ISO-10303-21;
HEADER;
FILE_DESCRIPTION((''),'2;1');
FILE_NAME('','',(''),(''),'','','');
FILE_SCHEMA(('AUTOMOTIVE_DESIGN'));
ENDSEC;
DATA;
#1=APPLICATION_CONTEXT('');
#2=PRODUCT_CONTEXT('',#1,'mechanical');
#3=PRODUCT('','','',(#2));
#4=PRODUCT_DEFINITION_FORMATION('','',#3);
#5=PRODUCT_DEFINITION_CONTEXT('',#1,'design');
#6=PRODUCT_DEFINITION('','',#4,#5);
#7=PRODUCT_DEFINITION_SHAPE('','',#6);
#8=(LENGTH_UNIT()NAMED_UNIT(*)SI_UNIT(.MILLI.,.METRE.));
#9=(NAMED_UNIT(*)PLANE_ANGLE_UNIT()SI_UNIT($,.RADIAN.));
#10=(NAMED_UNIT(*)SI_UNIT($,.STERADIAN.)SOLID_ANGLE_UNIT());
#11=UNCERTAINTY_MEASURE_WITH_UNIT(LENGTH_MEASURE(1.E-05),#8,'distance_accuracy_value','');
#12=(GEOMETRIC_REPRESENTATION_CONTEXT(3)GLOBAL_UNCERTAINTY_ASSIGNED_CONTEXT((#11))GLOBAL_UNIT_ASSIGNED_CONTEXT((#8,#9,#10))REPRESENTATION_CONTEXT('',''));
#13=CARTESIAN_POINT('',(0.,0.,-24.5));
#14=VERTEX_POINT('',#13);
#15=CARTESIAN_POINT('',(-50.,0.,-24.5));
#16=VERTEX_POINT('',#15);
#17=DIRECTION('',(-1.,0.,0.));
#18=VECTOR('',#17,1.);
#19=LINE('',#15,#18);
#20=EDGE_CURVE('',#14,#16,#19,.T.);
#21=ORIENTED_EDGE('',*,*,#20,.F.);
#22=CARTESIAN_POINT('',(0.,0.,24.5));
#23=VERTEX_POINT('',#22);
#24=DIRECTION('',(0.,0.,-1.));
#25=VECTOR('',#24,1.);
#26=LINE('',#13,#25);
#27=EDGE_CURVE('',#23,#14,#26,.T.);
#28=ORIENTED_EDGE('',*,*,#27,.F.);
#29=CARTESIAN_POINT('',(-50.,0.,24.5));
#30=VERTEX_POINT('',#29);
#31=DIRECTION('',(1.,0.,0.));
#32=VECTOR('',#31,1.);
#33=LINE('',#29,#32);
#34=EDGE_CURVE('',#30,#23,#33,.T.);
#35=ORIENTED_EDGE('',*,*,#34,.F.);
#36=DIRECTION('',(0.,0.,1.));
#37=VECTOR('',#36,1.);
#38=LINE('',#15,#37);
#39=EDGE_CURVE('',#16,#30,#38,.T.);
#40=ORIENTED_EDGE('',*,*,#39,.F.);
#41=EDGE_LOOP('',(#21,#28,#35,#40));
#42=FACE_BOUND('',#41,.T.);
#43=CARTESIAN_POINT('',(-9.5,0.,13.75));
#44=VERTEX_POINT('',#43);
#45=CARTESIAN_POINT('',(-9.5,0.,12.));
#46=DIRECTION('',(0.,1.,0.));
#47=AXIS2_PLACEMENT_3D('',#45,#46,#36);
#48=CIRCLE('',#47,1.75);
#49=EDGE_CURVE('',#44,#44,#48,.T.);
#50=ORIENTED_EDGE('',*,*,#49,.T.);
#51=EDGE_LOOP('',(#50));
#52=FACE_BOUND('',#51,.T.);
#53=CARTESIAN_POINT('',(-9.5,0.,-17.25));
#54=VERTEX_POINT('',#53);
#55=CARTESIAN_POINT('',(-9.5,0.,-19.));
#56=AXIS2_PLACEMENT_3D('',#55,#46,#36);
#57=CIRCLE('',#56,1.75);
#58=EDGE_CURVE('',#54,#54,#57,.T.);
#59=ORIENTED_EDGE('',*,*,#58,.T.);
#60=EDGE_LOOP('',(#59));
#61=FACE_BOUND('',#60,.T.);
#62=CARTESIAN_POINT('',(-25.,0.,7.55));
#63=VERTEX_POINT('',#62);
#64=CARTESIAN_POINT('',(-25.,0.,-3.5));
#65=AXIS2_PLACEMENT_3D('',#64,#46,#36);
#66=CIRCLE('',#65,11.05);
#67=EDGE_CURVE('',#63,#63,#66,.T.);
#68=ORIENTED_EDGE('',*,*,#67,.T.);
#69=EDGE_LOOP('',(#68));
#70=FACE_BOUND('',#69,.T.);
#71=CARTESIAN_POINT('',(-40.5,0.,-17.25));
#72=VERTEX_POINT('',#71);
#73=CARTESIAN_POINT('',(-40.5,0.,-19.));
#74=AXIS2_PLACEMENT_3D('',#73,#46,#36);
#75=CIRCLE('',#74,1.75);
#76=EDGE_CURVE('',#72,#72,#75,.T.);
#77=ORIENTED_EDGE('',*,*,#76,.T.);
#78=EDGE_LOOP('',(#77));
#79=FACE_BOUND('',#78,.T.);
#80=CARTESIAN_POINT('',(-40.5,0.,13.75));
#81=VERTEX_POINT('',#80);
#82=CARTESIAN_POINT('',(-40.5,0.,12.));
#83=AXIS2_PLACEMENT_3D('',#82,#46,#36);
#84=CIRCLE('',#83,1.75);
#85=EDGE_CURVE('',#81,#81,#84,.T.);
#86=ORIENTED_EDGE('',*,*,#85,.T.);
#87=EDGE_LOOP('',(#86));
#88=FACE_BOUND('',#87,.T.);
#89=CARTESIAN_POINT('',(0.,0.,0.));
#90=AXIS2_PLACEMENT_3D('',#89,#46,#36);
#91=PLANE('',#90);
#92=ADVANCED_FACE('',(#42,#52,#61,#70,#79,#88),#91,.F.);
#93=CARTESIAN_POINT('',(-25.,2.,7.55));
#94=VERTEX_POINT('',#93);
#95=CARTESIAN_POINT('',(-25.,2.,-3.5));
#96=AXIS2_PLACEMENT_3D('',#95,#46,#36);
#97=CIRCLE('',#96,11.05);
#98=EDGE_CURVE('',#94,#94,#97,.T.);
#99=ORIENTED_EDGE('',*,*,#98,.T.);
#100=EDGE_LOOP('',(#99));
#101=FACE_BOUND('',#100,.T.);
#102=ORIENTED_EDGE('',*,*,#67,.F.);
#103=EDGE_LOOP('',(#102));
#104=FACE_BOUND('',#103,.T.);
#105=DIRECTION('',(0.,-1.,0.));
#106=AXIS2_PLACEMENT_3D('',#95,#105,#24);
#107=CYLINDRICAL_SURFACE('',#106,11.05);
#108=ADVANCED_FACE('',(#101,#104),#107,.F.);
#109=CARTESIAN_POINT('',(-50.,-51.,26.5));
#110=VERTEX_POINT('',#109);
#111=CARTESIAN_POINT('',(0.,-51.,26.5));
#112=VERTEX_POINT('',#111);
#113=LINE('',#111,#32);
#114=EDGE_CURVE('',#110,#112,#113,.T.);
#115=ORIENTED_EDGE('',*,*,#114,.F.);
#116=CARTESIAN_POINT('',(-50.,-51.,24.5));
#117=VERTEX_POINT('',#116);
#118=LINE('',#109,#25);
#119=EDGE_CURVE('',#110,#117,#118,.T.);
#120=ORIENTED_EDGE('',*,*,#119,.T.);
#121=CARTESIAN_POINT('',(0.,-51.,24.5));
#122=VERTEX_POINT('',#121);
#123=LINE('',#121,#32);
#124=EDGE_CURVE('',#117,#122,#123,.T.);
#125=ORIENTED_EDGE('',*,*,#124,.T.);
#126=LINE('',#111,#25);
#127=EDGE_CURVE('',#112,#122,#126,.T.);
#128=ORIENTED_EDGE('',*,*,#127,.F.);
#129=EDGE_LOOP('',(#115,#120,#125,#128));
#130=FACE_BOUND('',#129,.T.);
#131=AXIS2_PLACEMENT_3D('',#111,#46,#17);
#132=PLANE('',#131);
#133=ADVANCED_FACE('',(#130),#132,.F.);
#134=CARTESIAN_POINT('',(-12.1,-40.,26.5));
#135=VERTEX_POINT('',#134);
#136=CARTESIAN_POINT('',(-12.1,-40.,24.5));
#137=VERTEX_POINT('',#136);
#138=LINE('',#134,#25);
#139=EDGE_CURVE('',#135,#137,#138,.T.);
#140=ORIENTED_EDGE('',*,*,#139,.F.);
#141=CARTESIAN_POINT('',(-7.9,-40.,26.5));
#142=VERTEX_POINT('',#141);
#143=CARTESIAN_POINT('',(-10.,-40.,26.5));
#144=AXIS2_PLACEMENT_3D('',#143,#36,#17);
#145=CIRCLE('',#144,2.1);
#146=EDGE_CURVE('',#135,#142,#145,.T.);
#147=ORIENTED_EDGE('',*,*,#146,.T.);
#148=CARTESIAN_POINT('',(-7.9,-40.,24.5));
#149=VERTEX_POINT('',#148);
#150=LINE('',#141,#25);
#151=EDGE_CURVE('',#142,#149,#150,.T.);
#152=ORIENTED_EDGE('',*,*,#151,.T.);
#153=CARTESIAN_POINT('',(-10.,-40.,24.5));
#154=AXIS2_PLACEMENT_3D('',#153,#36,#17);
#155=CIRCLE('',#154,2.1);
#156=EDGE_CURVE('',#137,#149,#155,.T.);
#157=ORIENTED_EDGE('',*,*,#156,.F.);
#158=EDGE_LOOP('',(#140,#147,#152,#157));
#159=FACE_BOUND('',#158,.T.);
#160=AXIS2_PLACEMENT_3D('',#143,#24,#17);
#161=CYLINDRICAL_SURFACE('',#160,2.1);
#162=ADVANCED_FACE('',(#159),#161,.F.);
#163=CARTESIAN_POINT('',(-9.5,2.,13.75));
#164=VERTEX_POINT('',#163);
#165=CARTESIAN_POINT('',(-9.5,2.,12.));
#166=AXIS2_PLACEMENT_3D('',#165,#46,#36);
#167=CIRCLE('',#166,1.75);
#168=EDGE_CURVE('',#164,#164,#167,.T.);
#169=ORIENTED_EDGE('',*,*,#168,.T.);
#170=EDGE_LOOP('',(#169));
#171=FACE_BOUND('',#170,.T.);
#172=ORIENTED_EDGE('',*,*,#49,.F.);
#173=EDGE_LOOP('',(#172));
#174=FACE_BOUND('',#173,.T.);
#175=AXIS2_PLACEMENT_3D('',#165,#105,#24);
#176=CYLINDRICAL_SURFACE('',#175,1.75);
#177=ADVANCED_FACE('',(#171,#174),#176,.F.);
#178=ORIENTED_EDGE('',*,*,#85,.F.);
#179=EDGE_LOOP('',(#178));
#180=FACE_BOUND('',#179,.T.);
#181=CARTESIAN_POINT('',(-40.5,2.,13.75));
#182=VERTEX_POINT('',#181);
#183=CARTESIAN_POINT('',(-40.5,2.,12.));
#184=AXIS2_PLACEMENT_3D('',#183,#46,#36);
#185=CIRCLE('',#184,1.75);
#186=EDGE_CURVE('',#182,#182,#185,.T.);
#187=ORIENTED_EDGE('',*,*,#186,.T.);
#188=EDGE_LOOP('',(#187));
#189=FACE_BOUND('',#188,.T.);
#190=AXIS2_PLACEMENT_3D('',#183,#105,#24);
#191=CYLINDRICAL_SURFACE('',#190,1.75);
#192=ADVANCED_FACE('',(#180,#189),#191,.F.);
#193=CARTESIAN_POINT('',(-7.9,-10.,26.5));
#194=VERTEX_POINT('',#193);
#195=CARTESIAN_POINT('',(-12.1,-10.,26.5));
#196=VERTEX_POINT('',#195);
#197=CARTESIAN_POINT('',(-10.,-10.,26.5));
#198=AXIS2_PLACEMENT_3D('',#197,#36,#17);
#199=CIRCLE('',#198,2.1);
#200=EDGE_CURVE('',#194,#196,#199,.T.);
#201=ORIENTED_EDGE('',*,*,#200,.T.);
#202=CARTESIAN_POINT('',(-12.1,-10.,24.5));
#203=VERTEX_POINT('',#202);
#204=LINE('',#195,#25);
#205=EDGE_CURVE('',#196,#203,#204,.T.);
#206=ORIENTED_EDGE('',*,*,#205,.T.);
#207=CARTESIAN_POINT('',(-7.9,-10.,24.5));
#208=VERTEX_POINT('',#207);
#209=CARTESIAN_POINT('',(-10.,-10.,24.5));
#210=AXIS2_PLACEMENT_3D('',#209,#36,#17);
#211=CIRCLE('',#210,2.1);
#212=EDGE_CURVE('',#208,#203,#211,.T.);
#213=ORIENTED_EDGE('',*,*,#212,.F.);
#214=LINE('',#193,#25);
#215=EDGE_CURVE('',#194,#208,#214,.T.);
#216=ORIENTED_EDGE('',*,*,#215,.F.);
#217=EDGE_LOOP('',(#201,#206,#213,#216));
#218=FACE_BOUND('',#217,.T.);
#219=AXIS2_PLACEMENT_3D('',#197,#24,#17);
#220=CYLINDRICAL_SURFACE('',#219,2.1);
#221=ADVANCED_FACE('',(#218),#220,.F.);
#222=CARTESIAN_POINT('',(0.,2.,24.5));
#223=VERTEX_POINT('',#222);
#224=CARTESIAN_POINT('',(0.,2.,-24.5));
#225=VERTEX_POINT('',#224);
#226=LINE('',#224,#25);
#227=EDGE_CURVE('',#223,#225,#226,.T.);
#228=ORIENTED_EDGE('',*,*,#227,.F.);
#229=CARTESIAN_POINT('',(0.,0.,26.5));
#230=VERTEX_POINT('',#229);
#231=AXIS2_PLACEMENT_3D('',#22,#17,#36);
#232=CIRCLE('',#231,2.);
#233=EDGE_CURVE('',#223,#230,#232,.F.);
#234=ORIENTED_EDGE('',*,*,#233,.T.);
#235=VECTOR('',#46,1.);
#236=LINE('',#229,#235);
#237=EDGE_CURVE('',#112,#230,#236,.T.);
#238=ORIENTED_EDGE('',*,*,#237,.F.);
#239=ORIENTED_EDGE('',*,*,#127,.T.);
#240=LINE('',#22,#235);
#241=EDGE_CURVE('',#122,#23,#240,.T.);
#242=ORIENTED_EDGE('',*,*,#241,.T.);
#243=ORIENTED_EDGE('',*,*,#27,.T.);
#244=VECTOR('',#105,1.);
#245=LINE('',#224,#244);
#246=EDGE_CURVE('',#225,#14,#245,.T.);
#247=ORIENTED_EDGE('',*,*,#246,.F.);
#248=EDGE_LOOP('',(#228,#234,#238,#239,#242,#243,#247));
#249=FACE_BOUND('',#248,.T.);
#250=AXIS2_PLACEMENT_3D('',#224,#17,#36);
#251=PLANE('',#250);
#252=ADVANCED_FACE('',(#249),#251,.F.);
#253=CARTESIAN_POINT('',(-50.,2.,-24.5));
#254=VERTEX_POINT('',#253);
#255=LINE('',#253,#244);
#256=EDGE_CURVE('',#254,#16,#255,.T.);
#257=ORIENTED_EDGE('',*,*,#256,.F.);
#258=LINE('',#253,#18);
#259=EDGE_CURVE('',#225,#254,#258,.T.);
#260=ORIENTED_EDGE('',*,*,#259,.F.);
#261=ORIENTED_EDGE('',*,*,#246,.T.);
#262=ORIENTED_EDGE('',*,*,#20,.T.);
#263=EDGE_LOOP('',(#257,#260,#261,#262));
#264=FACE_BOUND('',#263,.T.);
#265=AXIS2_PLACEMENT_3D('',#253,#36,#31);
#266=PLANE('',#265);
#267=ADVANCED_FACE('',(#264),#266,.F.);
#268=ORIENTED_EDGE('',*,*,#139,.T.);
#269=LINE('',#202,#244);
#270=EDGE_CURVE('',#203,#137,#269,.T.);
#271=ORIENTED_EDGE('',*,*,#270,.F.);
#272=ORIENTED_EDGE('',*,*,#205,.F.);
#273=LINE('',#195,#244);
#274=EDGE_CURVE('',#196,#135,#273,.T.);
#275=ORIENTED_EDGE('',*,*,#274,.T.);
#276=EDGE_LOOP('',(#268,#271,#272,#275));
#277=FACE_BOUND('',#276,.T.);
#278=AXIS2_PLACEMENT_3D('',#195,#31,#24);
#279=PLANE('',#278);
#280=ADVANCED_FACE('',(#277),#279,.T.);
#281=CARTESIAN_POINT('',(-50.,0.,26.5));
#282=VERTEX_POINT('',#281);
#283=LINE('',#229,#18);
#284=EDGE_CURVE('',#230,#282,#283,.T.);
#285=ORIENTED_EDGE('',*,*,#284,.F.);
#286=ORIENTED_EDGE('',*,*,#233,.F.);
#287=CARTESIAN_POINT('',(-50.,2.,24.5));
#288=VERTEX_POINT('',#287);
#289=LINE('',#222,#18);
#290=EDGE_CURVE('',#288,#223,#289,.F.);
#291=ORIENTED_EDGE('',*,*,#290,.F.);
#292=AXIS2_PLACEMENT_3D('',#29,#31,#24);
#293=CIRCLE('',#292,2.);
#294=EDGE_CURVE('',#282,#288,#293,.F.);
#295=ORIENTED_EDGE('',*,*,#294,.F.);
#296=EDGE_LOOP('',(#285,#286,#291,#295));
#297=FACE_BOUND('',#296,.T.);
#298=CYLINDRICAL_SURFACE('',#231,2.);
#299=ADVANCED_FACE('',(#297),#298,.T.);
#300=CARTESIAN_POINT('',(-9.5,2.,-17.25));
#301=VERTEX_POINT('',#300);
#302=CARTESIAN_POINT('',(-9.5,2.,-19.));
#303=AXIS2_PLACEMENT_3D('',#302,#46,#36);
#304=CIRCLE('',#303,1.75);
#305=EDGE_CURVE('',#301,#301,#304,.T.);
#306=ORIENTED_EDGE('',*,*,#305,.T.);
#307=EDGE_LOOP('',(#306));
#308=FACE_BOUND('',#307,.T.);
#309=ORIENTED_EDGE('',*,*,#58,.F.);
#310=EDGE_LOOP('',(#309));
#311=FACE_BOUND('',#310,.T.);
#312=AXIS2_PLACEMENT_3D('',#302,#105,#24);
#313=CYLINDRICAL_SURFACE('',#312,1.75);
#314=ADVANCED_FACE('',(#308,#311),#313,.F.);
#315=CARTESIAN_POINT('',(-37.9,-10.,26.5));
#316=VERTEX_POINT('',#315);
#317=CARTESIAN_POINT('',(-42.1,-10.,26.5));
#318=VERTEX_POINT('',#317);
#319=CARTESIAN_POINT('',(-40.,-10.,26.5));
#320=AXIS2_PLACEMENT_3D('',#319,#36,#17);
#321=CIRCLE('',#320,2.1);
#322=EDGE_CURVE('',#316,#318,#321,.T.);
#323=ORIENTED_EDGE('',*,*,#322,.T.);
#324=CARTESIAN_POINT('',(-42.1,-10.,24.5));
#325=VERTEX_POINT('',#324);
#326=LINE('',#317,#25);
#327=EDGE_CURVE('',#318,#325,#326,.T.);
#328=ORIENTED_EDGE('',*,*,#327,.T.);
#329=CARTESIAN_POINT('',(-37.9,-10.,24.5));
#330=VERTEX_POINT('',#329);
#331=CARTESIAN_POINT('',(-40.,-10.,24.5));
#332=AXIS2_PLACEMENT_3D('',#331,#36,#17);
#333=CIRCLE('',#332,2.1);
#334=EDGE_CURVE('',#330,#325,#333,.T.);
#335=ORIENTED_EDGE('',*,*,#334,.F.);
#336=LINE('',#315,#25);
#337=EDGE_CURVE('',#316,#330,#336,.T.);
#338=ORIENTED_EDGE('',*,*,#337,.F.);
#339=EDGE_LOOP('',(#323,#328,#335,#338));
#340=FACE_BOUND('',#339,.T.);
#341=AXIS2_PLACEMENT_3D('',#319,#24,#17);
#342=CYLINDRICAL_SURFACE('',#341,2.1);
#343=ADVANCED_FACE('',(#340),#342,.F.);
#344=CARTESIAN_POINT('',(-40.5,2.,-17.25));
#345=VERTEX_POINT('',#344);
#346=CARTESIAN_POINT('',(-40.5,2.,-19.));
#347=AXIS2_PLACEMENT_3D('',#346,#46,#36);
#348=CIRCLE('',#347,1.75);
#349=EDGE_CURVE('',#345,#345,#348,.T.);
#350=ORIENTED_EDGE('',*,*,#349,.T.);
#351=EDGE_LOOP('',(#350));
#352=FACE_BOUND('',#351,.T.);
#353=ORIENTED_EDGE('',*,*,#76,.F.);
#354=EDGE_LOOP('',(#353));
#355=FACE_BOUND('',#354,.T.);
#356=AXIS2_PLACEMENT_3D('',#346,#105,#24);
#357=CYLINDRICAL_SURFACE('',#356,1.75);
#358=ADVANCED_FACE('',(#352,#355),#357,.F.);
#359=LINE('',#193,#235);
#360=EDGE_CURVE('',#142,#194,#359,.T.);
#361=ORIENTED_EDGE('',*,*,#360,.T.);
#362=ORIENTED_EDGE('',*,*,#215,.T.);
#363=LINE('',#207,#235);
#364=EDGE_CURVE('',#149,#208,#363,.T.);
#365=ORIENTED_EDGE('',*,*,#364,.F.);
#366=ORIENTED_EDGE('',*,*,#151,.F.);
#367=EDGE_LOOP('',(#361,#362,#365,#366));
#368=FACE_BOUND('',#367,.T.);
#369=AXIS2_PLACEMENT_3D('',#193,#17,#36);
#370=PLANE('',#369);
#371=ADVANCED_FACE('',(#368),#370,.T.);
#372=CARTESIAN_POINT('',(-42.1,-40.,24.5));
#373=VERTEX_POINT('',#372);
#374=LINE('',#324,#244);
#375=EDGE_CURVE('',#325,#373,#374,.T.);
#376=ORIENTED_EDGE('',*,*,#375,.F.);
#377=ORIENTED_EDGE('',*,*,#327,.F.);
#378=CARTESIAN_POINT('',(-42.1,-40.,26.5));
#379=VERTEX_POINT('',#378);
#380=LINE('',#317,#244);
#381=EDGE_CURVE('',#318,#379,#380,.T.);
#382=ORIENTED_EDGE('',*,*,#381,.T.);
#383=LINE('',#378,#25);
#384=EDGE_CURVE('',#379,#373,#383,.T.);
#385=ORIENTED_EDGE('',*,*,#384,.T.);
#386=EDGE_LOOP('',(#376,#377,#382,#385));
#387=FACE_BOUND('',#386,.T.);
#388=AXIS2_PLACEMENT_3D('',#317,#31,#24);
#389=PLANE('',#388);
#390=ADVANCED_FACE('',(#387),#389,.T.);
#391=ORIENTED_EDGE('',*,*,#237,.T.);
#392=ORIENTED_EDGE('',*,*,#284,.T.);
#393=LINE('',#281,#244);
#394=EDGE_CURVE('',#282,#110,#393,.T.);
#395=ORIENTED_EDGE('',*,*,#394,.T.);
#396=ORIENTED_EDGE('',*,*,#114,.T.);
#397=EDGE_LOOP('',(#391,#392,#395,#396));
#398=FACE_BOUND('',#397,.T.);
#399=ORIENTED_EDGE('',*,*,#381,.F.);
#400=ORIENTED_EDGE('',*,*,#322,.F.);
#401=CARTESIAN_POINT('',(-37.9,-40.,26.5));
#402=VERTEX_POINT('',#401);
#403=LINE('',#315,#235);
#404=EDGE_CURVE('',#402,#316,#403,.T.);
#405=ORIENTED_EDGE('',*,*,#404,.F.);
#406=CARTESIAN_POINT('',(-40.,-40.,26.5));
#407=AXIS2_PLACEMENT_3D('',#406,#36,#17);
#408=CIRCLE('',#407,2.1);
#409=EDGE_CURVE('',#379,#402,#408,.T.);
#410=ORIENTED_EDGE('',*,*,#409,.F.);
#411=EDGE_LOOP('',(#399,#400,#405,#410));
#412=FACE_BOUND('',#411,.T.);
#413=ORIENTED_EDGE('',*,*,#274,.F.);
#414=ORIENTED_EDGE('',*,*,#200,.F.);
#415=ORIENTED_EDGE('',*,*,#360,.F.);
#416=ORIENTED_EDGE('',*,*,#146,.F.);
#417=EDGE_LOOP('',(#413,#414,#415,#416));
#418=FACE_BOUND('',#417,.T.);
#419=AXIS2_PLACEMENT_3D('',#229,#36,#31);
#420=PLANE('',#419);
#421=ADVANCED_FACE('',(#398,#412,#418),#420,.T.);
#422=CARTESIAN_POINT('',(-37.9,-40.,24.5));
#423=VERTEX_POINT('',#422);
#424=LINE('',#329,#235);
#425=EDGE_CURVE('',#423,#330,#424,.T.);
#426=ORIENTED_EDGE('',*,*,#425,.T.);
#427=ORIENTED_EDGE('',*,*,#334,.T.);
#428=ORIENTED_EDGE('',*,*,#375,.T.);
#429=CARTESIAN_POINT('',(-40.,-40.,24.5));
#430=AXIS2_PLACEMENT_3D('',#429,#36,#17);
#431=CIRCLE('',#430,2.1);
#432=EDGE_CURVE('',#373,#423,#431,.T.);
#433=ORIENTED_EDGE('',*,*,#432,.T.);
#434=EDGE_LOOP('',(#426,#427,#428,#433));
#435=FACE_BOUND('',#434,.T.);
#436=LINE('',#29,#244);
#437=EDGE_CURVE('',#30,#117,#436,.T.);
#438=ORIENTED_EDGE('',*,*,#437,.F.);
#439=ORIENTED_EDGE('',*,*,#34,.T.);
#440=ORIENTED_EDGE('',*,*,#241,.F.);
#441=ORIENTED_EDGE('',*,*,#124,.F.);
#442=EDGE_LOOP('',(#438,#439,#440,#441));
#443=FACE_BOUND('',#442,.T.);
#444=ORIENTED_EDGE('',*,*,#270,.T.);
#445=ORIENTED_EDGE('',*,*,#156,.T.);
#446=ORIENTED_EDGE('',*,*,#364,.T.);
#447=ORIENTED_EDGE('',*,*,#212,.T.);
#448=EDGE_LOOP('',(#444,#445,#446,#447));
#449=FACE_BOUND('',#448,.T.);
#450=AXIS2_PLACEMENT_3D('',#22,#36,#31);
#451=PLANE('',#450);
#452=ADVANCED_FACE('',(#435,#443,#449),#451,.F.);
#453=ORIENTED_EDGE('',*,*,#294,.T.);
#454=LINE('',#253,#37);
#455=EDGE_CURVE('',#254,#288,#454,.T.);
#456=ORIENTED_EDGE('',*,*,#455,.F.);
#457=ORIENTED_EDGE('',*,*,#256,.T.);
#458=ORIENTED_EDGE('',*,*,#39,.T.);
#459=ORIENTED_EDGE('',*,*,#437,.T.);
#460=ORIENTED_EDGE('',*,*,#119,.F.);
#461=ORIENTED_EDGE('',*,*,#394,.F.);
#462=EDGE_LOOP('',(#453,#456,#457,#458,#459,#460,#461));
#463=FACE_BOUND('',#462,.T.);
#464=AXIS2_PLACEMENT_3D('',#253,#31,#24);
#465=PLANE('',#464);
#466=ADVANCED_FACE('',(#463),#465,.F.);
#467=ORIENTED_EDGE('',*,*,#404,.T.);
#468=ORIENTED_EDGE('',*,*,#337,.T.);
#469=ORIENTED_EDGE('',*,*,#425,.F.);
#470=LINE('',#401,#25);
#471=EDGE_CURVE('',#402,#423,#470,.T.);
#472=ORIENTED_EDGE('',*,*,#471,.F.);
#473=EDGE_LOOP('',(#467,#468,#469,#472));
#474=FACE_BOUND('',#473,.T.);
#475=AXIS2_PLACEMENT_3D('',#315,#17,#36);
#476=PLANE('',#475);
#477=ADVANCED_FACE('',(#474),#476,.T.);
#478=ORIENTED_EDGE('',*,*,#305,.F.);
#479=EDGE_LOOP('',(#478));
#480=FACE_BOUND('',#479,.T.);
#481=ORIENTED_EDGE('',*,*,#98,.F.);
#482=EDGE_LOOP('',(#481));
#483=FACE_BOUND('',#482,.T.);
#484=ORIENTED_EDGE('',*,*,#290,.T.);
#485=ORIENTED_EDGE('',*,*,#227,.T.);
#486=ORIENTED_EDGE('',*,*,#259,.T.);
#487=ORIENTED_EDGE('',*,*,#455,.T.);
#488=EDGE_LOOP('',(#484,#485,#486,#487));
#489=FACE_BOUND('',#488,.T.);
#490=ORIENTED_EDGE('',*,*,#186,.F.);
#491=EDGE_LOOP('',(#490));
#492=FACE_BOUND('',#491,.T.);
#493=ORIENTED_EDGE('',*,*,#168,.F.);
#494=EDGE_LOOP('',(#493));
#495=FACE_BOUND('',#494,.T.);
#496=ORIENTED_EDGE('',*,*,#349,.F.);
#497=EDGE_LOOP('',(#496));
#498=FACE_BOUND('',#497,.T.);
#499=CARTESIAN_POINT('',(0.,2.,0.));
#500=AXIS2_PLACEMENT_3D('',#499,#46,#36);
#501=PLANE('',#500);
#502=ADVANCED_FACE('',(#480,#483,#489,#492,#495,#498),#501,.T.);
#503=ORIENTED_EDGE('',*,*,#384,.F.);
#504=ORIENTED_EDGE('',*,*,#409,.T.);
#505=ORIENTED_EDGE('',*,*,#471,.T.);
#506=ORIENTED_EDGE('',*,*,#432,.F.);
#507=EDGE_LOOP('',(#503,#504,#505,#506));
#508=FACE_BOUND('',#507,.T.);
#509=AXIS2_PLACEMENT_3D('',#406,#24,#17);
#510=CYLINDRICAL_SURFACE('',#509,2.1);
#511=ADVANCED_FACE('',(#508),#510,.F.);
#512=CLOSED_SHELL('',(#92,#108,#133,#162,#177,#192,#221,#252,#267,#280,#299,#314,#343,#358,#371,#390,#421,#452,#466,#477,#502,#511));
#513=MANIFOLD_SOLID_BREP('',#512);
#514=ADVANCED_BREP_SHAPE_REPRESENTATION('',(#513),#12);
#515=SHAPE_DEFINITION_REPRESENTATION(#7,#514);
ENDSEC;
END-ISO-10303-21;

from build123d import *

# Parameters (mm, degrees)
SKETCH_1_W      = 50
SKETCH_1_H      = 49
SKETCH_1_R      = 11.05
SKETCH_1_R_2    = 1.75
EXTRUDE_1_DEPTH = 2
EXTRUDE_2_DEPTH = 2
FILLET_2_R      = 2


with BuildPart() as part:
    # 草图1 → 凸台-拉伸1 (new body)
    with BuildSketch(Plane(origin=(0, 0, 0), x_dir=(1, 0, 0), z_dir=(0, 1, 0))):
        with Locations((-25, 0)):
            Rectangle(SKETCH_1_W, SKETCH_1_H)
        with Locations(Location((-25, 3.5, 0), (0, 0, 270))):
            Circle(SKETCH_1_R, mode=Mode.SUBTRACT)
        with Locations(Location((-40.5, 19, 0), (0, 0, 270))):
            Circle(SKETCH_1_R_2, mode=Mode.SUBTRACT)
        with Locations(Location((-9.5, 19, 0), (0, 0, 270))):
            Circle(SKETCH_1_R_2, mode=Mode.SUBTRACT)
        with Locations(Location((-9.5, -12, 0), (0, 0, 270))):
            Circle(SKETCH_1_R_2, mode=Mode.SUBTRACT)
        with Locations(Location((-40.5, -12, 0), (0, 0, 270))):
            Circle(SKETCH_1_R_2, mode=Mode.SUBTRACT)
    extrude(amount=EXTRUDE_1_DEPTH)

    # 草图2 → 凸台-拉伸2 (add)
    with BuildSketch(Plane.XY.offset(24.5)):
        Polygon((0, 0), (0, -51), (-50, -51), (-50, 0), (-50, 2), (0, 2), align=None)
        with BuildLine():
            Line((-7.9, -10), (-7.9, -40))
            ThreePointArc((-7.9, -40), (-10, -42.1), (-12.1, -40))
            Line((-12.1, -40), (-12.1, -10))
            ThreePointArc((-12.1, -10), (-10, -7.9), (-7.9, -10))
        make_face(mode=Mode.SUBTRACT)
        with BuildLine():
            Line((-37.9, -10), (-37.9, -40))
            ThreePointArc((-37.9, -40), (-40, -42.1), (-42.1, -40))
            Line((-42.1, -40), (-42.1, -10))
            ThreePointArc((-42.1, -10), (-40, -7.9), (-37.9, -10))
        make_face(mode=Mode.SUBTRACT)
    extrude(amount=EXTRUDE_2_DEPTH)

    # 圆角2
    fillet_2_edges = [part.edges().sort_by_distance(p)[0] for p in [
        (-25, 2, 26.5),
    ]]
    fillet(fillet_2_edges, radius=FILLET_2_R)


solid = part.part
